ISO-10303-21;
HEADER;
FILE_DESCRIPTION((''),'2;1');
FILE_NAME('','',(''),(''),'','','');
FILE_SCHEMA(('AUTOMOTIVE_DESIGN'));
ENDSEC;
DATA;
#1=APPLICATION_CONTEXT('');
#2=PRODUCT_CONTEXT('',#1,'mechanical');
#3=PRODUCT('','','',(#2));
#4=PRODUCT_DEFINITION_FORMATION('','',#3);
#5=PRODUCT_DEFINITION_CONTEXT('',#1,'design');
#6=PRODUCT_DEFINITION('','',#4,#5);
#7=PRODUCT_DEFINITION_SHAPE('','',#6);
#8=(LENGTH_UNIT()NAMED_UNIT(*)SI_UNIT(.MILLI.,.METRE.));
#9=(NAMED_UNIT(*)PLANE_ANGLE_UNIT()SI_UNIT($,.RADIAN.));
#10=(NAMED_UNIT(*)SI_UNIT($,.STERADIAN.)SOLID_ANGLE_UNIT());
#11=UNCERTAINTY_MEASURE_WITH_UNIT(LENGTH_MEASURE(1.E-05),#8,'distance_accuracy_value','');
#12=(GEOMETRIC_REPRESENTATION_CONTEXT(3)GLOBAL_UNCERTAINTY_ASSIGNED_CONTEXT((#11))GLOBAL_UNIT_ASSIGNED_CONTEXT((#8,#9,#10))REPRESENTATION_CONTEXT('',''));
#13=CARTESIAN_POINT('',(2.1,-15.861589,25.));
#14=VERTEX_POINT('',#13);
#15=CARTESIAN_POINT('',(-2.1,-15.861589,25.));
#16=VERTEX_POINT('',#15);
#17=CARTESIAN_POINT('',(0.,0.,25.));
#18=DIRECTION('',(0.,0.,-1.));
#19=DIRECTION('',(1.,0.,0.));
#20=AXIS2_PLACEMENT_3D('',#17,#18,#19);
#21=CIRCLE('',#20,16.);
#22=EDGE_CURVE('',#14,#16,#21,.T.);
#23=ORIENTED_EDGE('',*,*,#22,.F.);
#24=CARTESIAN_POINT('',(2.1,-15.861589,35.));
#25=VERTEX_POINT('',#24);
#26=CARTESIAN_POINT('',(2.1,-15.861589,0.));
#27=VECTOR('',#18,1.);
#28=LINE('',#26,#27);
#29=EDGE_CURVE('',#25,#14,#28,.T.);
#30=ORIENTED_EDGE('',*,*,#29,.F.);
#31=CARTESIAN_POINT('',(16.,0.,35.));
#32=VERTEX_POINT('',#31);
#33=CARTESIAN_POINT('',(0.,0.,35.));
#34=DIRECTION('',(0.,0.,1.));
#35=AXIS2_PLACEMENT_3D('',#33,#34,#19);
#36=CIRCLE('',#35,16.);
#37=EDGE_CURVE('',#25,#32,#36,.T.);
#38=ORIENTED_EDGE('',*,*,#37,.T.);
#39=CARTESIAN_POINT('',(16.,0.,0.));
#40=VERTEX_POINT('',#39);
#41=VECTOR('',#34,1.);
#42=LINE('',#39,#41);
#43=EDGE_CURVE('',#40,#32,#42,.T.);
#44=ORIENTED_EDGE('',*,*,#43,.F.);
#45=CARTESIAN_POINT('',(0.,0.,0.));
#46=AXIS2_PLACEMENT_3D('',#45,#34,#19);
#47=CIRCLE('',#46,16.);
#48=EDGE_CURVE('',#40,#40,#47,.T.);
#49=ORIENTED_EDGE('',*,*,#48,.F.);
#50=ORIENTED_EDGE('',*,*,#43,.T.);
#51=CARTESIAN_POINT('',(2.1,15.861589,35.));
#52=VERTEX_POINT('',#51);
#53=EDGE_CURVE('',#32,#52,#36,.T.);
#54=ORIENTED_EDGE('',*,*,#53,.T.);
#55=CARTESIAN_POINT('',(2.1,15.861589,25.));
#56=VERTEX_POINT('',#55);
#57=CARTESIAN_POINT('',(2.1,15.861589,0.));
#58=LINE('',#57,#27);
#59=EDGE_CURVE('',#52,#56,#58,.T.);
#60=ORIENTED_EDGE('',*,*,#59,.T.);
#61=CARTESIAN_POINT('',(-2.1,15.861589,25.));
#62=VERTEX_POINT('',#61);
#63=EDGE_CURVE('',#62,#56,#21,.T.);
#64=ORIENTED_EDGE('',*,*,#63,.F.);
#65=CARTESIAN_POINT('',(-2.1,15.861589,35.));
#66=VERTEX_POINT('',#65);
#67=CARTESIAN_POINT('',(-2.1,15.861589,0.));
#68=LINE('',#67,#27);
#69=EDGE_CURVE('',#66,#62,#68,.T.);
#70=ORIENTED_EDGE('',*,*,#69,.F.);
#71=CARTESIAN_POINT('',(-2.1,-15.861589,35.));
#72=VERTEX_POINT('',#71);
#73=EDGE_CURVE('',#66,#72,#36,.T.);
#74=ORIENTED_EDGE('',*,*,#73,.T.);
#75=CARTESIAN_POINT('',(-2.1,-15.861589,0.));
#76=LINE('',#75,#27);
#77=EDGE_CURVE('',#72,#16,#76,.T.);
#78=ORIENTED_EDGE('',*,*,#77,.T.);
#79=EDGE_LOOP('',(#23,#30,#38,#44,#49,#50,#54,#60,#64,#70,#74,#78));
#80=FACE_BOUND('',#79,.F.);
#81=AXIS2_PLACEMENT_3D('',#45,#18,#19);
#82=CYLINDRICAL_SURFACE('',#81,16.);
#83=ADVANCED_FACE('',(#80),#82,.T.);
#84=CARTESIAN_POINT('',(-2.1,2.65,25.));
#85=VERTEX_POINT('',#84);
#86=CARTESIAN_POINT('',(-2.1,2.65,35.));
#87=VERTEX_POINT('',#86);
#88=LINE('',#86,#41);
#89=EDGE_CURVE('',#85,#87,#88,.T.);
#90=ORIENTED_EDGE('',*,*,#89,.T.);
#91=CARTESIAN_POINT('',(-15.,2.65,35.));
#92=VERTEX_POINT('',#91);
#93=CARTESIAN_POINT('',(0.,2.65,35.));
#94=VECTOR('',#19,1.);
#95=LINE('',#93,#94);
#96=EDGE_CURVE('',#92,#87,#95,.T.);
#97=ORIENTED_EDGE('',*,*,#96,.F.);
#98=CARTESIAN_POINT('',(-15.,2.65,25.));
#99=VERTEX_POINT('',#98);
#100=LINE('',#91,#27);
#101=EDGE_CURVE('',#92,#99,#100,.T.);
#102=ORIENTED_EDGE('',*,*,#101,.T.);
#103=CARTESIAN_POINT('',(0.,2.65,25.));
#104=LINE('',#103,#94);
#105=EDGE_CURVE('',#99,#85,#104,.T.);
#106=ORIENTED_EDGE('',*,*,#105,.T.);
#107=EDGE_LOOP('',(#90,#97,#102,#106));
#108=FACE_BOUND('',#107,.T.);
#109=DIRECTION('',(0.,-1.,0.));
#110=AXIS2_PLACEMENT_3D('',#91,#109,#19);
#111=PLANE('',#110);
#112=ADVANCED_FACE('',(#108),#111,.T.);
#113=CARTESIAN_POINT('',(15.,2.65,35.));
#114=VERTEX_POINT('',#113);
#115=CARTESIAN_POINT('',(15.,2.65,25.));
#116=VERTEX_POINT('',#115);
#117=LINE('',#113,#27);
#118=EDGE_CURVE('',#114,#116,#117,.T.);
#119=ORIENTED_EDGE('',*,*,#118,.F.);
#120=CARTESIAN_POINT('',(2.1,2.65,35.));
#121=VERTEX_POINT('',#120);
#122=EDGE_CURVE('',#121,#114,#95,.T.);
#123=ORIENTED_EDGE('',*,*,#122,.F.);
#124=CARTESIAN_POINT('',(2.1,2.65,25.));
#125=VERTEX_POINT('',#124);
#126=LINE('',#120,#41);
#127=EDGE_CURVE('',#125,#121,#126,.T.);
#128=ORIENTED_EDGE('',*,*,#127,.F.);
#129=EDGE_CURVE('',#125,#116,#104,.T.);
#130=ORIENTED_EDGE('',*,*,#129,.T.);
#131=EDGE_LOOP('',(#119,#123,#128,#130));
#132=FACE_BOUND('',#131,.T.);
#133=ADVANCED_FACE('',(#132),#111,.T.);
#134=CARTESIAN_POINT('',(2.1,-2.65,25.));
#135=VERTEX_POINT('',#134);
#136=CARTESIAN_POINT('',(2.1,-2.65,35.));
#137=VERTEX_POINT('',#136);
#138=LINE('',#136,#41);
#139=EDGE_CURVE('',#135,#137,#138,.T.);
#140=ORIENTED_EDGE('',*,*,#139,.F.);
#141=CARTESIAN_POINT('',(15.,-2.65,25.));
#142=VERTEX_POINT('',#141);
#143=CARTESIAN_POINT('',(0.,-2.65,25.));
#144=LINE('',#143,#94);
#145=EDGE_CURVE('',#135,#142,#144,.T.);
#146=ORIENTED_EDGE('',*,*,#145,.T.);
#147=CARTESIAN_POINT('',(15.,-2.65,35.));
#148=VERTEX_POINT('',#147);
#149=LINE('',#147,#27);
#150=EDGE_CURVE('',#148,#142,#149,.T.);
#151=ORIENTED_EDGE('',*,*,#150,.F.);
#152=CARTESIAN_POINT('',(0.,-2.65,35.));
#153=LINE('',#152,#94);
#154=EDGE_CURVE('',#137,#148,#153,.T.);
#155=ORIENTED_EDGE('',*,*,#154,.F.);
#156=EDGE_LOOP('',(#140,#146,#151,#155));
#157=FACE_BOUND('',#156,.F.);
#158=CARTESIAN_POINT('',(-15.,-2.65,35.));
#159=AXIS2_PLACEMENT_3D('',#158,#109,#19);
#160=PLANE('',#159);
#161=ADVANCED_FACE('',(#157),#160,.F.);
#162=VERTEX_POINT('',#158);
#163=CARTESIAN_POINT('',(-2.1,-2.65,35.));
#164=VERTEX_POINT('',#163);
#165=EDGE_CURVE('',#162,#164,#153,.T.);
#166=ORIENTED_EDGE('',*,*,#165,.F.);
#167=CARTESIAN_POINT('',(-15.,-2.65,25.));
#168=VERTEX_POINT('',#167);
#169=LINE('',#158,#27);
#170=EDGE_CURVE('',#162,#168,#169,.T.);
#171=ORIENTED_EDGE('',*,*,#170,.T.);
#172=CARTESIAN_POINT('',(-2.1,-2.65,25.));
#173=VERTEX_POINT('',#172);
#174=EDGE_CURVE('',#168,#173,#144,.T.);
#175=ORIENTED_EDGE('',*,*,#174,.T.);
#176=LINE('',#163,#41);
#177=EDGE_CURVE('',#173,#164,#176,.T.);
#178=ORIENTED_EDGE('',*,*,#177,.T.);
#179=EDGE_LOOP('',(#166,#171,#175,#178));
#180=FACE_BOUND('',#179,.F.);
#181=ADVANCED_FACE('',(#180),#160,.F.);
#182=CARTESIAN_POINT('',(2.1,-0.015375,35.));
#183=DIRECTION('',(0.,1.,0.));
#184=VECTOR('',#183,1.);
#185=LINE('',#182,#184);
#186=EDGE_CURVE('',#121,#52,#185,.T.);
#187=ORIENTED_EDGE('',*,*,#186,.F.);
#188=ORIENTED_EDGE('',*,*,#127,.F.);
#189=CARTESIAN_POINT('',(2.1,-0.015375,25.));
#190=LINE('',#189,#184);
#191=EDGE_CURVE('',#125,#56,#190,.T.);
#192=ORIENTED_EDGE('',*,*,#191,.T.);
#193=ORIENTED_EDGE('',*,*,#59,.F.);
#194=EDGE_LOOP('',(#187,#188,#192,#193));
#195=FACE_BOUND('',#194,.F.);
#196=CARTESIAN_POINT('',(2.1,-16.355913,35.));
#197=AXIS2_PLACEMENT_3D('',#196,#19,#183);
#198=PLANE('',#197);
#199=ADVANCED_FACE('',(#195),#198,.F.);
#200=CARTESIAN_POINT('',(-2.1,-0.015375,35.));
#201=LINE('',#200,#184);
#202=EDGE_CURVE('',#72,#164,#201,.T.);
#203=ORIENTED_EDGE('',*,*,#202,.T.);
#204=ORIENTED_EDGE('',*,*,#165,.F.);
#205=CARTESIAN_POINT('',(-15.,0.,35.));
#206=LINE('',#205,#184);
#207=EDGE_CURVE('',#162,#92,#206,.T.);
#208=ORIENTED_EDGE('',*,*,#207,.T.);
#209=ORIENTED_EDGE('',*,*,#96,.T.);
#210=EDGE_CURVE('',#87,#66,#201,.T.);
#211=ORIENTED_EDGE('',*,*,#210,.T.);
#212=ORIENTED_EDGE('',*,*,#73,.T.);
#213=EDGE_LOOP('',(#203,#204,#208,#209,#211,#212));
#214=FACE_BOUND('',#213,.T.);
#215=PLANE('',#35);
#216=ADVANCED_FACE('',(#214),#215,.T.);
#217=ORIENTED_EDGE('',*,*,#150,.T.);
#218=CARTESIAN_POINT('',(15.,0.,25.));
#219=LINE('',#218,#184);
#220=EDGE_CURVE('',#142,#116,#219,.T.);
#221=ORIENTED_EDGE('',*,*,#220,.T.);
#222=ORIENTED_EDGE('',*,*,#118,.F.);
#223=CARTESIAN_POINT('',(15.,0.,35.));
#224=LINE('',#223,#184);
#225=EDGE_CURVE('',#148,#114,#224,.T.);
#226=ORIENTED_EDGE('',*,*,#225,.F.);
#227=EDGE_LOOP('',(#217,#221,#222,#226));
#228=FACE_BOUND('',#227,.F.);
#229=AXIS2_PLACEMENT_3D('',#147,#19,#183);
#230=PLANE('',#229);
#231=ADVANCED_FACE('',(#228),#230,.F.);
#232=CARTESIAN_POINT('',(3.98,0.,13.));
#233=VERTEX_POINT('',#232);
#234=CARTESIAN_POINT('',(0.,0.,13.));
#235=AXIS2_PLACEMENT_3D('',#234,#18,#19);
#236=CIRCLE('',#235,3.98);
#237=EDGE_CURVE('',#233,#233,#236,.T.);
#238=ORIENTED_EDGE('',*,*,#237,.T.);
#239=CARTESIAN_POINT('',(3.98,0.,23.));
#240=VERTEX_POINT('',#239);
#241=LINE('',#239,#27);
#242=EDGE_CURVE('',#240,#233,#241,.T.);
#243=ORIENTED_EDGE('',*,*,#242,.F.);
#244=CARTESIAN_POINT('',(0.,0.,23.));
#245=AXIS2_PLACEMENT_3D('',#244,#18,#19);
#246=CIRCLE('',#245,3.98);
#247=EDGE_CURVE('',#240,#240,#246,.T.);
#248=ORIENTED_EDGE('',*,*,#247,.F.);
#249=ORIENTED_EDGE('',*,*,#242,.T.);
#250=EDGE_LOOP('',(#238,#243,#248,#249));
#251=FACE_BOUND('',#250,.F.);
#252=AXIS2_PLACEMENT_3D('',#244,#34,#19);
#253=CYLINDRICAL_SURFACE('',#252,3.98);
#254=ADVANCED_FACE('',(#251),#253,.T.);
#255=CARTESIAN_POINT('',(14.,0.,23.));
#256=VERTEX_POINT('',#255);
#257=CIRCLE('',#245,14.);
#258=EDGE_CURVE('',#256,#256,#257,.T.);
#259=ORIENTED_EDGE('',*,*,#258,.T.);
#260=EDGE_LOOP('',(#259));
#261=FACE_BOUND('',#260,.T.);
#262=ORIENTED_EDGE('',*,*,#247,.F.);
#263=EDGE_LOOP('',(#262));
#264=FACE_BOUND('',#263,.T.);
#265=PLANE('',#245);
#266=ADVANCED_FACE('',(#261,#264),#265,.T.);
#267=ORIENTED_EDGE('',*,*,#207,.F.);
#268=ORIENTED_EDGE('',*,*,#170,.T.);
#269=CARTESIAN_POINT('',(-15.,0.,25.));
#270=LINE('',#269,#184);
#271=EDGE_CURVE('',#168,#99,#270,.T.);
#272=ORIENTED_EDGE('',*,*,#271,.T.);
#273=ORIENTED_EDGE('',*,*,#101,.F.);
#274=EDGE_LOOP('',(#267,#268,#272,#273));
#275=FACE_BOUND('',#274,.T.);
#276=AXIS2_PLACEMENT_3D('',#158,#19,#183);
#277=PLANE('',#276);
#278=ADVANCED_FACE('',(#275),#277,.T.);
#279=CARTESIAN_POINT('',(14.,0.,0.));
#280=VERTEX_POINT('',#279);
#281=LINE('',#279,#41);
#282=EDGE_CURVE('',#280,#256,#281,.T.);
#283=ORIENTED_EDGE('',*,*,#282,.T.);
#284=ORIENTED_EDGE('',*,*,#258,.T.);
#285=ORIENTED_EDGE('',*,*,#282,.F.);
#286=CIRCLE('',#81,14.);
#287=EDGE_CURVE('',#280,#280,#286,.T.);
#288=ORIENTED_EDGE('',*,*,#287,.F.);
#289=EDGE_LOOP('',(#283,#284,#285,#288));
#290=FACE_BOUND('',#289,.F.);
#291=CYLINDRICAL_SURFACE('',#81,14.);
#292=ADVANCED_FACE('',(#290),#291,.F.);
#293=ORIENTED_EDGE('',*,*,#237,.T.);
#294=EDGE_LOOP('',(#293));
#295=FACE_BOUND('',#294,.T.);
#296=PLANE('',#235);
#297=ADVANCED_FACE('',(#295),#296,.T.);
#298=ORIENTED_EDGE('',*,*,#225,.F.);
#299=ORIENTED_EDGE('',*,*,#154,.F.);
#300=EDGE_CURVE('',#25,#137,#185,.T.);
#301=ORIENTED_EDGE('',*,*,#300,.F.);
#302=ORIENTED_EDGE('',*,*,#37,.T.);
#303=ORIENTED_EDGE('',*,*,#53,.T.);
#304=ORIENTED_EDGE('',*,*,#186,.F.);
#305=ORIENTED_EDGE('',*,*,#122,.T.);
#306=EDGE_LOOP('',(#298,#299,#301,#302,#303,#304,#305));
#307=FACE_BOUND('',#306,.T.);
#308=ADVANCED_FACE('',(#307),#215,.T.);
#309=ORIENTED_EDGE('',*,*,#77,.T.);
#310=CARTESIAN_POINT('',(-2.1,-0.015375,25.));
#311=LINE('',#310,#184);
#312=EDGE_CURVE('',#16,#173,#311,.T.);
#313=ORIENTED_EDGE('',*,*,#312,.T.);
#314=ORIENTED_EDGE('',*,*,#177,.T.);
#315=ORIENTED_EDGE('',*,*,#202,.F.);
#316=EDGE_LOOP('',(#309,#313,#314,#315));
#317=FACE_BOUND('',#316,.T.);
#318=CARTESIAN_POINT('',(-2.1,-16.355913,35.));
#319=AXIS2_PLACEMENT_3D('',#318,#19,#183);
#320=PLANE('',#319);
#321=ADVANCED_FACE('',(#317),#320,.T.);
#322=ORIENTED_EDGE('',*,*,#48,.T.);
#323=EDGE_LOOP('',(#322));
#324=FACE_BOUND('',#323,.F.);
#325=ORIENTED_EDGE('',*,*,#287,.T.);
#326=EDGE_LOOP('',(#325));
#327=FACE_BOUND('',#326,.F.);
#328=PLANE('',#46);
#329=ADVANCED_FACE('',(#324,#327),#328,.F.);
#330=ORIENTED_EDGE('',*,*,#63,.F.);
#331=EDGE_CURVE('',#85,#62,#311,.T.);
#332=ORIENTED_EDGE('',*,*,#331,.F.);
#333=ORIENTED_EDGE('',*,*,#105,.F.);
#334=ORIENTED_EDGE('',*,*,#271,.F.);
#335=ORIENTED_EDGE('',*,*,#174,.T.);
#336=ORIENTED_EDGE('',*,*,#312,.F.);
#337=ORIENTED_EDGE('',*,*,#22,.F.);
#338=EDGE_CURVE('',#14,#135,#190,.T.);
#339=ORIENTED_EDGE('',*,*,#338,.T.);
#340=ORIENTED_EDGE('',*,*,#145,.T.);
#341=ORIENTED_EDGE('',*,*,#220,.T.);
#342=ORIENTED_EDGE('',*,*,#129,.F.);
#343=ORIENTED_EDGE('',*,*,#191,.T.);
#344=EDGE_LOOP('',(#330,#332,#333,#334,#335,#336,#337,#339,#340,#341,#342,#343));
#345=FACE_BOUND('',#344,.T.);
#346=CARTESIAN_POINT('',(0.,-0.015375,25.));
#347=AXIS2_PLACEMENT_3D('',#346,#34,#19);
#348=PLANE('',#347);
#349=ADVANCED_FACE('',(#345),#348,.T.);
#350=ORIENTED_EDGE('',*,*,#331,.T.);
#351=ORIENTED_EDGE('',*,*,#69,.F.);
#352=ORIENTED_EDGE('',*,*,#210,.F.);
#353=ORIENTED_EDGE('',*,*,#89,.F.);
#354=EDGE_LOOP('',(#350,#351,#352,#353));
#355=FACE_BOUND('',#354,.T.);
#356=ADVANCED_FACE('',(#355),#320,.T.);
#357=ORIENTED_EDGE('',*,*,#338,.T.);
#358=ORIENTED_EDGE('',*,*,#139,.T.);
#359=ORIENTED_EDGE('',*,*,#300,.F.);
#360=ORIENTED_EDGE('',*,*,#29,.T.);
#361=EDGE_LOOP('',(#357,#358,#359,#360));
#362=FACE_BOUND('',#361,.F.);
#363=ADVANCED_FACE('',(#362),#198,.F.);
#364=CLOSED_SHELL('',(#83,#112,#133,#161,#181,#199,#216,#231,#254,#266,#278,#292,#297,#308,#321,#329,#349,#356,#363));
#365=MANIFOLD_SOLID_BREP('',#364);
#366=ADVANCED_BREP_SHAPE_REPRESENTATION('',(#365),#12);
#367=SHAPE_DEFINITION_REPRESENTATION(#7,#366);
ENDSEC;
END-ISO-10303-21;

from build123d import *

# Parameters (mm, degrees)
SKETCH_R        = 16
PAD_DEPTH       = 35
SKETCH001_R     = 14
POCKET_DEPTH    = 23
SKETCH002_R     = 3.98
PAD001_DEPTH    = 10
SKETCH003_W     = 30
SKETCH003_H     = 5.3
POCKET001_DEPTH = 10
SKETCH004_W     = 4.2
SKETCH004_H     = 32.681076
POCKET002_DEPTH = 10


with BuildPart() as part:
    # Sketch → Pad (new body)
    with BuildSketch(Plane.XY):
        Circle(SKETCH_R)
    extrude(amount=PAD_DEPTH)

    # Sketch001 (on Face2 of Pad) → Pocket (cut)
    with BuildSketch(Plane(origin=(0, 0, 0), x_dir=(1, 0, 0), z_dir=(0, 0, -1))):
        Circle(SKETCH001_R)
    extrude(amount=-POCKET_DEPTH, mode=Mode.SUBTRACT)

    # Sketch002 (on Face5 of Pocket) → Pad001 (join)
    with BuildSketch(Plane(origin=(0, 0, 23), x_dir=(1, 0, 0), z_dir=(0, 0, -1))):
        Circle(SKETCH002_R)
    extrude(amount=PAD001_DEPTH)

    # Sketch003 (on Face3 of Pad001) → Pocket001 (cut)
    with BuildSketch(Plane.XY.offset(35)):
        Rectangle(SKETCH003_W, SKETCH003_H)
    extrude(amount=-POCKET001_DEPTH, mode=Mode.SUBTRACT)

    # Sketch004 (on Face3 of Pocket001) → Pocket002 (cut)
    with BuildSketch(Plane.XY.offset(35)):
        with Locations((0, -0.015375)):
            Rectangle(SKETCH004_W, SKETCH004_H)
    extrude(amount=-POCKET002_DEPTH, mode=Mode.SUBTRACT)


solid = part.part
